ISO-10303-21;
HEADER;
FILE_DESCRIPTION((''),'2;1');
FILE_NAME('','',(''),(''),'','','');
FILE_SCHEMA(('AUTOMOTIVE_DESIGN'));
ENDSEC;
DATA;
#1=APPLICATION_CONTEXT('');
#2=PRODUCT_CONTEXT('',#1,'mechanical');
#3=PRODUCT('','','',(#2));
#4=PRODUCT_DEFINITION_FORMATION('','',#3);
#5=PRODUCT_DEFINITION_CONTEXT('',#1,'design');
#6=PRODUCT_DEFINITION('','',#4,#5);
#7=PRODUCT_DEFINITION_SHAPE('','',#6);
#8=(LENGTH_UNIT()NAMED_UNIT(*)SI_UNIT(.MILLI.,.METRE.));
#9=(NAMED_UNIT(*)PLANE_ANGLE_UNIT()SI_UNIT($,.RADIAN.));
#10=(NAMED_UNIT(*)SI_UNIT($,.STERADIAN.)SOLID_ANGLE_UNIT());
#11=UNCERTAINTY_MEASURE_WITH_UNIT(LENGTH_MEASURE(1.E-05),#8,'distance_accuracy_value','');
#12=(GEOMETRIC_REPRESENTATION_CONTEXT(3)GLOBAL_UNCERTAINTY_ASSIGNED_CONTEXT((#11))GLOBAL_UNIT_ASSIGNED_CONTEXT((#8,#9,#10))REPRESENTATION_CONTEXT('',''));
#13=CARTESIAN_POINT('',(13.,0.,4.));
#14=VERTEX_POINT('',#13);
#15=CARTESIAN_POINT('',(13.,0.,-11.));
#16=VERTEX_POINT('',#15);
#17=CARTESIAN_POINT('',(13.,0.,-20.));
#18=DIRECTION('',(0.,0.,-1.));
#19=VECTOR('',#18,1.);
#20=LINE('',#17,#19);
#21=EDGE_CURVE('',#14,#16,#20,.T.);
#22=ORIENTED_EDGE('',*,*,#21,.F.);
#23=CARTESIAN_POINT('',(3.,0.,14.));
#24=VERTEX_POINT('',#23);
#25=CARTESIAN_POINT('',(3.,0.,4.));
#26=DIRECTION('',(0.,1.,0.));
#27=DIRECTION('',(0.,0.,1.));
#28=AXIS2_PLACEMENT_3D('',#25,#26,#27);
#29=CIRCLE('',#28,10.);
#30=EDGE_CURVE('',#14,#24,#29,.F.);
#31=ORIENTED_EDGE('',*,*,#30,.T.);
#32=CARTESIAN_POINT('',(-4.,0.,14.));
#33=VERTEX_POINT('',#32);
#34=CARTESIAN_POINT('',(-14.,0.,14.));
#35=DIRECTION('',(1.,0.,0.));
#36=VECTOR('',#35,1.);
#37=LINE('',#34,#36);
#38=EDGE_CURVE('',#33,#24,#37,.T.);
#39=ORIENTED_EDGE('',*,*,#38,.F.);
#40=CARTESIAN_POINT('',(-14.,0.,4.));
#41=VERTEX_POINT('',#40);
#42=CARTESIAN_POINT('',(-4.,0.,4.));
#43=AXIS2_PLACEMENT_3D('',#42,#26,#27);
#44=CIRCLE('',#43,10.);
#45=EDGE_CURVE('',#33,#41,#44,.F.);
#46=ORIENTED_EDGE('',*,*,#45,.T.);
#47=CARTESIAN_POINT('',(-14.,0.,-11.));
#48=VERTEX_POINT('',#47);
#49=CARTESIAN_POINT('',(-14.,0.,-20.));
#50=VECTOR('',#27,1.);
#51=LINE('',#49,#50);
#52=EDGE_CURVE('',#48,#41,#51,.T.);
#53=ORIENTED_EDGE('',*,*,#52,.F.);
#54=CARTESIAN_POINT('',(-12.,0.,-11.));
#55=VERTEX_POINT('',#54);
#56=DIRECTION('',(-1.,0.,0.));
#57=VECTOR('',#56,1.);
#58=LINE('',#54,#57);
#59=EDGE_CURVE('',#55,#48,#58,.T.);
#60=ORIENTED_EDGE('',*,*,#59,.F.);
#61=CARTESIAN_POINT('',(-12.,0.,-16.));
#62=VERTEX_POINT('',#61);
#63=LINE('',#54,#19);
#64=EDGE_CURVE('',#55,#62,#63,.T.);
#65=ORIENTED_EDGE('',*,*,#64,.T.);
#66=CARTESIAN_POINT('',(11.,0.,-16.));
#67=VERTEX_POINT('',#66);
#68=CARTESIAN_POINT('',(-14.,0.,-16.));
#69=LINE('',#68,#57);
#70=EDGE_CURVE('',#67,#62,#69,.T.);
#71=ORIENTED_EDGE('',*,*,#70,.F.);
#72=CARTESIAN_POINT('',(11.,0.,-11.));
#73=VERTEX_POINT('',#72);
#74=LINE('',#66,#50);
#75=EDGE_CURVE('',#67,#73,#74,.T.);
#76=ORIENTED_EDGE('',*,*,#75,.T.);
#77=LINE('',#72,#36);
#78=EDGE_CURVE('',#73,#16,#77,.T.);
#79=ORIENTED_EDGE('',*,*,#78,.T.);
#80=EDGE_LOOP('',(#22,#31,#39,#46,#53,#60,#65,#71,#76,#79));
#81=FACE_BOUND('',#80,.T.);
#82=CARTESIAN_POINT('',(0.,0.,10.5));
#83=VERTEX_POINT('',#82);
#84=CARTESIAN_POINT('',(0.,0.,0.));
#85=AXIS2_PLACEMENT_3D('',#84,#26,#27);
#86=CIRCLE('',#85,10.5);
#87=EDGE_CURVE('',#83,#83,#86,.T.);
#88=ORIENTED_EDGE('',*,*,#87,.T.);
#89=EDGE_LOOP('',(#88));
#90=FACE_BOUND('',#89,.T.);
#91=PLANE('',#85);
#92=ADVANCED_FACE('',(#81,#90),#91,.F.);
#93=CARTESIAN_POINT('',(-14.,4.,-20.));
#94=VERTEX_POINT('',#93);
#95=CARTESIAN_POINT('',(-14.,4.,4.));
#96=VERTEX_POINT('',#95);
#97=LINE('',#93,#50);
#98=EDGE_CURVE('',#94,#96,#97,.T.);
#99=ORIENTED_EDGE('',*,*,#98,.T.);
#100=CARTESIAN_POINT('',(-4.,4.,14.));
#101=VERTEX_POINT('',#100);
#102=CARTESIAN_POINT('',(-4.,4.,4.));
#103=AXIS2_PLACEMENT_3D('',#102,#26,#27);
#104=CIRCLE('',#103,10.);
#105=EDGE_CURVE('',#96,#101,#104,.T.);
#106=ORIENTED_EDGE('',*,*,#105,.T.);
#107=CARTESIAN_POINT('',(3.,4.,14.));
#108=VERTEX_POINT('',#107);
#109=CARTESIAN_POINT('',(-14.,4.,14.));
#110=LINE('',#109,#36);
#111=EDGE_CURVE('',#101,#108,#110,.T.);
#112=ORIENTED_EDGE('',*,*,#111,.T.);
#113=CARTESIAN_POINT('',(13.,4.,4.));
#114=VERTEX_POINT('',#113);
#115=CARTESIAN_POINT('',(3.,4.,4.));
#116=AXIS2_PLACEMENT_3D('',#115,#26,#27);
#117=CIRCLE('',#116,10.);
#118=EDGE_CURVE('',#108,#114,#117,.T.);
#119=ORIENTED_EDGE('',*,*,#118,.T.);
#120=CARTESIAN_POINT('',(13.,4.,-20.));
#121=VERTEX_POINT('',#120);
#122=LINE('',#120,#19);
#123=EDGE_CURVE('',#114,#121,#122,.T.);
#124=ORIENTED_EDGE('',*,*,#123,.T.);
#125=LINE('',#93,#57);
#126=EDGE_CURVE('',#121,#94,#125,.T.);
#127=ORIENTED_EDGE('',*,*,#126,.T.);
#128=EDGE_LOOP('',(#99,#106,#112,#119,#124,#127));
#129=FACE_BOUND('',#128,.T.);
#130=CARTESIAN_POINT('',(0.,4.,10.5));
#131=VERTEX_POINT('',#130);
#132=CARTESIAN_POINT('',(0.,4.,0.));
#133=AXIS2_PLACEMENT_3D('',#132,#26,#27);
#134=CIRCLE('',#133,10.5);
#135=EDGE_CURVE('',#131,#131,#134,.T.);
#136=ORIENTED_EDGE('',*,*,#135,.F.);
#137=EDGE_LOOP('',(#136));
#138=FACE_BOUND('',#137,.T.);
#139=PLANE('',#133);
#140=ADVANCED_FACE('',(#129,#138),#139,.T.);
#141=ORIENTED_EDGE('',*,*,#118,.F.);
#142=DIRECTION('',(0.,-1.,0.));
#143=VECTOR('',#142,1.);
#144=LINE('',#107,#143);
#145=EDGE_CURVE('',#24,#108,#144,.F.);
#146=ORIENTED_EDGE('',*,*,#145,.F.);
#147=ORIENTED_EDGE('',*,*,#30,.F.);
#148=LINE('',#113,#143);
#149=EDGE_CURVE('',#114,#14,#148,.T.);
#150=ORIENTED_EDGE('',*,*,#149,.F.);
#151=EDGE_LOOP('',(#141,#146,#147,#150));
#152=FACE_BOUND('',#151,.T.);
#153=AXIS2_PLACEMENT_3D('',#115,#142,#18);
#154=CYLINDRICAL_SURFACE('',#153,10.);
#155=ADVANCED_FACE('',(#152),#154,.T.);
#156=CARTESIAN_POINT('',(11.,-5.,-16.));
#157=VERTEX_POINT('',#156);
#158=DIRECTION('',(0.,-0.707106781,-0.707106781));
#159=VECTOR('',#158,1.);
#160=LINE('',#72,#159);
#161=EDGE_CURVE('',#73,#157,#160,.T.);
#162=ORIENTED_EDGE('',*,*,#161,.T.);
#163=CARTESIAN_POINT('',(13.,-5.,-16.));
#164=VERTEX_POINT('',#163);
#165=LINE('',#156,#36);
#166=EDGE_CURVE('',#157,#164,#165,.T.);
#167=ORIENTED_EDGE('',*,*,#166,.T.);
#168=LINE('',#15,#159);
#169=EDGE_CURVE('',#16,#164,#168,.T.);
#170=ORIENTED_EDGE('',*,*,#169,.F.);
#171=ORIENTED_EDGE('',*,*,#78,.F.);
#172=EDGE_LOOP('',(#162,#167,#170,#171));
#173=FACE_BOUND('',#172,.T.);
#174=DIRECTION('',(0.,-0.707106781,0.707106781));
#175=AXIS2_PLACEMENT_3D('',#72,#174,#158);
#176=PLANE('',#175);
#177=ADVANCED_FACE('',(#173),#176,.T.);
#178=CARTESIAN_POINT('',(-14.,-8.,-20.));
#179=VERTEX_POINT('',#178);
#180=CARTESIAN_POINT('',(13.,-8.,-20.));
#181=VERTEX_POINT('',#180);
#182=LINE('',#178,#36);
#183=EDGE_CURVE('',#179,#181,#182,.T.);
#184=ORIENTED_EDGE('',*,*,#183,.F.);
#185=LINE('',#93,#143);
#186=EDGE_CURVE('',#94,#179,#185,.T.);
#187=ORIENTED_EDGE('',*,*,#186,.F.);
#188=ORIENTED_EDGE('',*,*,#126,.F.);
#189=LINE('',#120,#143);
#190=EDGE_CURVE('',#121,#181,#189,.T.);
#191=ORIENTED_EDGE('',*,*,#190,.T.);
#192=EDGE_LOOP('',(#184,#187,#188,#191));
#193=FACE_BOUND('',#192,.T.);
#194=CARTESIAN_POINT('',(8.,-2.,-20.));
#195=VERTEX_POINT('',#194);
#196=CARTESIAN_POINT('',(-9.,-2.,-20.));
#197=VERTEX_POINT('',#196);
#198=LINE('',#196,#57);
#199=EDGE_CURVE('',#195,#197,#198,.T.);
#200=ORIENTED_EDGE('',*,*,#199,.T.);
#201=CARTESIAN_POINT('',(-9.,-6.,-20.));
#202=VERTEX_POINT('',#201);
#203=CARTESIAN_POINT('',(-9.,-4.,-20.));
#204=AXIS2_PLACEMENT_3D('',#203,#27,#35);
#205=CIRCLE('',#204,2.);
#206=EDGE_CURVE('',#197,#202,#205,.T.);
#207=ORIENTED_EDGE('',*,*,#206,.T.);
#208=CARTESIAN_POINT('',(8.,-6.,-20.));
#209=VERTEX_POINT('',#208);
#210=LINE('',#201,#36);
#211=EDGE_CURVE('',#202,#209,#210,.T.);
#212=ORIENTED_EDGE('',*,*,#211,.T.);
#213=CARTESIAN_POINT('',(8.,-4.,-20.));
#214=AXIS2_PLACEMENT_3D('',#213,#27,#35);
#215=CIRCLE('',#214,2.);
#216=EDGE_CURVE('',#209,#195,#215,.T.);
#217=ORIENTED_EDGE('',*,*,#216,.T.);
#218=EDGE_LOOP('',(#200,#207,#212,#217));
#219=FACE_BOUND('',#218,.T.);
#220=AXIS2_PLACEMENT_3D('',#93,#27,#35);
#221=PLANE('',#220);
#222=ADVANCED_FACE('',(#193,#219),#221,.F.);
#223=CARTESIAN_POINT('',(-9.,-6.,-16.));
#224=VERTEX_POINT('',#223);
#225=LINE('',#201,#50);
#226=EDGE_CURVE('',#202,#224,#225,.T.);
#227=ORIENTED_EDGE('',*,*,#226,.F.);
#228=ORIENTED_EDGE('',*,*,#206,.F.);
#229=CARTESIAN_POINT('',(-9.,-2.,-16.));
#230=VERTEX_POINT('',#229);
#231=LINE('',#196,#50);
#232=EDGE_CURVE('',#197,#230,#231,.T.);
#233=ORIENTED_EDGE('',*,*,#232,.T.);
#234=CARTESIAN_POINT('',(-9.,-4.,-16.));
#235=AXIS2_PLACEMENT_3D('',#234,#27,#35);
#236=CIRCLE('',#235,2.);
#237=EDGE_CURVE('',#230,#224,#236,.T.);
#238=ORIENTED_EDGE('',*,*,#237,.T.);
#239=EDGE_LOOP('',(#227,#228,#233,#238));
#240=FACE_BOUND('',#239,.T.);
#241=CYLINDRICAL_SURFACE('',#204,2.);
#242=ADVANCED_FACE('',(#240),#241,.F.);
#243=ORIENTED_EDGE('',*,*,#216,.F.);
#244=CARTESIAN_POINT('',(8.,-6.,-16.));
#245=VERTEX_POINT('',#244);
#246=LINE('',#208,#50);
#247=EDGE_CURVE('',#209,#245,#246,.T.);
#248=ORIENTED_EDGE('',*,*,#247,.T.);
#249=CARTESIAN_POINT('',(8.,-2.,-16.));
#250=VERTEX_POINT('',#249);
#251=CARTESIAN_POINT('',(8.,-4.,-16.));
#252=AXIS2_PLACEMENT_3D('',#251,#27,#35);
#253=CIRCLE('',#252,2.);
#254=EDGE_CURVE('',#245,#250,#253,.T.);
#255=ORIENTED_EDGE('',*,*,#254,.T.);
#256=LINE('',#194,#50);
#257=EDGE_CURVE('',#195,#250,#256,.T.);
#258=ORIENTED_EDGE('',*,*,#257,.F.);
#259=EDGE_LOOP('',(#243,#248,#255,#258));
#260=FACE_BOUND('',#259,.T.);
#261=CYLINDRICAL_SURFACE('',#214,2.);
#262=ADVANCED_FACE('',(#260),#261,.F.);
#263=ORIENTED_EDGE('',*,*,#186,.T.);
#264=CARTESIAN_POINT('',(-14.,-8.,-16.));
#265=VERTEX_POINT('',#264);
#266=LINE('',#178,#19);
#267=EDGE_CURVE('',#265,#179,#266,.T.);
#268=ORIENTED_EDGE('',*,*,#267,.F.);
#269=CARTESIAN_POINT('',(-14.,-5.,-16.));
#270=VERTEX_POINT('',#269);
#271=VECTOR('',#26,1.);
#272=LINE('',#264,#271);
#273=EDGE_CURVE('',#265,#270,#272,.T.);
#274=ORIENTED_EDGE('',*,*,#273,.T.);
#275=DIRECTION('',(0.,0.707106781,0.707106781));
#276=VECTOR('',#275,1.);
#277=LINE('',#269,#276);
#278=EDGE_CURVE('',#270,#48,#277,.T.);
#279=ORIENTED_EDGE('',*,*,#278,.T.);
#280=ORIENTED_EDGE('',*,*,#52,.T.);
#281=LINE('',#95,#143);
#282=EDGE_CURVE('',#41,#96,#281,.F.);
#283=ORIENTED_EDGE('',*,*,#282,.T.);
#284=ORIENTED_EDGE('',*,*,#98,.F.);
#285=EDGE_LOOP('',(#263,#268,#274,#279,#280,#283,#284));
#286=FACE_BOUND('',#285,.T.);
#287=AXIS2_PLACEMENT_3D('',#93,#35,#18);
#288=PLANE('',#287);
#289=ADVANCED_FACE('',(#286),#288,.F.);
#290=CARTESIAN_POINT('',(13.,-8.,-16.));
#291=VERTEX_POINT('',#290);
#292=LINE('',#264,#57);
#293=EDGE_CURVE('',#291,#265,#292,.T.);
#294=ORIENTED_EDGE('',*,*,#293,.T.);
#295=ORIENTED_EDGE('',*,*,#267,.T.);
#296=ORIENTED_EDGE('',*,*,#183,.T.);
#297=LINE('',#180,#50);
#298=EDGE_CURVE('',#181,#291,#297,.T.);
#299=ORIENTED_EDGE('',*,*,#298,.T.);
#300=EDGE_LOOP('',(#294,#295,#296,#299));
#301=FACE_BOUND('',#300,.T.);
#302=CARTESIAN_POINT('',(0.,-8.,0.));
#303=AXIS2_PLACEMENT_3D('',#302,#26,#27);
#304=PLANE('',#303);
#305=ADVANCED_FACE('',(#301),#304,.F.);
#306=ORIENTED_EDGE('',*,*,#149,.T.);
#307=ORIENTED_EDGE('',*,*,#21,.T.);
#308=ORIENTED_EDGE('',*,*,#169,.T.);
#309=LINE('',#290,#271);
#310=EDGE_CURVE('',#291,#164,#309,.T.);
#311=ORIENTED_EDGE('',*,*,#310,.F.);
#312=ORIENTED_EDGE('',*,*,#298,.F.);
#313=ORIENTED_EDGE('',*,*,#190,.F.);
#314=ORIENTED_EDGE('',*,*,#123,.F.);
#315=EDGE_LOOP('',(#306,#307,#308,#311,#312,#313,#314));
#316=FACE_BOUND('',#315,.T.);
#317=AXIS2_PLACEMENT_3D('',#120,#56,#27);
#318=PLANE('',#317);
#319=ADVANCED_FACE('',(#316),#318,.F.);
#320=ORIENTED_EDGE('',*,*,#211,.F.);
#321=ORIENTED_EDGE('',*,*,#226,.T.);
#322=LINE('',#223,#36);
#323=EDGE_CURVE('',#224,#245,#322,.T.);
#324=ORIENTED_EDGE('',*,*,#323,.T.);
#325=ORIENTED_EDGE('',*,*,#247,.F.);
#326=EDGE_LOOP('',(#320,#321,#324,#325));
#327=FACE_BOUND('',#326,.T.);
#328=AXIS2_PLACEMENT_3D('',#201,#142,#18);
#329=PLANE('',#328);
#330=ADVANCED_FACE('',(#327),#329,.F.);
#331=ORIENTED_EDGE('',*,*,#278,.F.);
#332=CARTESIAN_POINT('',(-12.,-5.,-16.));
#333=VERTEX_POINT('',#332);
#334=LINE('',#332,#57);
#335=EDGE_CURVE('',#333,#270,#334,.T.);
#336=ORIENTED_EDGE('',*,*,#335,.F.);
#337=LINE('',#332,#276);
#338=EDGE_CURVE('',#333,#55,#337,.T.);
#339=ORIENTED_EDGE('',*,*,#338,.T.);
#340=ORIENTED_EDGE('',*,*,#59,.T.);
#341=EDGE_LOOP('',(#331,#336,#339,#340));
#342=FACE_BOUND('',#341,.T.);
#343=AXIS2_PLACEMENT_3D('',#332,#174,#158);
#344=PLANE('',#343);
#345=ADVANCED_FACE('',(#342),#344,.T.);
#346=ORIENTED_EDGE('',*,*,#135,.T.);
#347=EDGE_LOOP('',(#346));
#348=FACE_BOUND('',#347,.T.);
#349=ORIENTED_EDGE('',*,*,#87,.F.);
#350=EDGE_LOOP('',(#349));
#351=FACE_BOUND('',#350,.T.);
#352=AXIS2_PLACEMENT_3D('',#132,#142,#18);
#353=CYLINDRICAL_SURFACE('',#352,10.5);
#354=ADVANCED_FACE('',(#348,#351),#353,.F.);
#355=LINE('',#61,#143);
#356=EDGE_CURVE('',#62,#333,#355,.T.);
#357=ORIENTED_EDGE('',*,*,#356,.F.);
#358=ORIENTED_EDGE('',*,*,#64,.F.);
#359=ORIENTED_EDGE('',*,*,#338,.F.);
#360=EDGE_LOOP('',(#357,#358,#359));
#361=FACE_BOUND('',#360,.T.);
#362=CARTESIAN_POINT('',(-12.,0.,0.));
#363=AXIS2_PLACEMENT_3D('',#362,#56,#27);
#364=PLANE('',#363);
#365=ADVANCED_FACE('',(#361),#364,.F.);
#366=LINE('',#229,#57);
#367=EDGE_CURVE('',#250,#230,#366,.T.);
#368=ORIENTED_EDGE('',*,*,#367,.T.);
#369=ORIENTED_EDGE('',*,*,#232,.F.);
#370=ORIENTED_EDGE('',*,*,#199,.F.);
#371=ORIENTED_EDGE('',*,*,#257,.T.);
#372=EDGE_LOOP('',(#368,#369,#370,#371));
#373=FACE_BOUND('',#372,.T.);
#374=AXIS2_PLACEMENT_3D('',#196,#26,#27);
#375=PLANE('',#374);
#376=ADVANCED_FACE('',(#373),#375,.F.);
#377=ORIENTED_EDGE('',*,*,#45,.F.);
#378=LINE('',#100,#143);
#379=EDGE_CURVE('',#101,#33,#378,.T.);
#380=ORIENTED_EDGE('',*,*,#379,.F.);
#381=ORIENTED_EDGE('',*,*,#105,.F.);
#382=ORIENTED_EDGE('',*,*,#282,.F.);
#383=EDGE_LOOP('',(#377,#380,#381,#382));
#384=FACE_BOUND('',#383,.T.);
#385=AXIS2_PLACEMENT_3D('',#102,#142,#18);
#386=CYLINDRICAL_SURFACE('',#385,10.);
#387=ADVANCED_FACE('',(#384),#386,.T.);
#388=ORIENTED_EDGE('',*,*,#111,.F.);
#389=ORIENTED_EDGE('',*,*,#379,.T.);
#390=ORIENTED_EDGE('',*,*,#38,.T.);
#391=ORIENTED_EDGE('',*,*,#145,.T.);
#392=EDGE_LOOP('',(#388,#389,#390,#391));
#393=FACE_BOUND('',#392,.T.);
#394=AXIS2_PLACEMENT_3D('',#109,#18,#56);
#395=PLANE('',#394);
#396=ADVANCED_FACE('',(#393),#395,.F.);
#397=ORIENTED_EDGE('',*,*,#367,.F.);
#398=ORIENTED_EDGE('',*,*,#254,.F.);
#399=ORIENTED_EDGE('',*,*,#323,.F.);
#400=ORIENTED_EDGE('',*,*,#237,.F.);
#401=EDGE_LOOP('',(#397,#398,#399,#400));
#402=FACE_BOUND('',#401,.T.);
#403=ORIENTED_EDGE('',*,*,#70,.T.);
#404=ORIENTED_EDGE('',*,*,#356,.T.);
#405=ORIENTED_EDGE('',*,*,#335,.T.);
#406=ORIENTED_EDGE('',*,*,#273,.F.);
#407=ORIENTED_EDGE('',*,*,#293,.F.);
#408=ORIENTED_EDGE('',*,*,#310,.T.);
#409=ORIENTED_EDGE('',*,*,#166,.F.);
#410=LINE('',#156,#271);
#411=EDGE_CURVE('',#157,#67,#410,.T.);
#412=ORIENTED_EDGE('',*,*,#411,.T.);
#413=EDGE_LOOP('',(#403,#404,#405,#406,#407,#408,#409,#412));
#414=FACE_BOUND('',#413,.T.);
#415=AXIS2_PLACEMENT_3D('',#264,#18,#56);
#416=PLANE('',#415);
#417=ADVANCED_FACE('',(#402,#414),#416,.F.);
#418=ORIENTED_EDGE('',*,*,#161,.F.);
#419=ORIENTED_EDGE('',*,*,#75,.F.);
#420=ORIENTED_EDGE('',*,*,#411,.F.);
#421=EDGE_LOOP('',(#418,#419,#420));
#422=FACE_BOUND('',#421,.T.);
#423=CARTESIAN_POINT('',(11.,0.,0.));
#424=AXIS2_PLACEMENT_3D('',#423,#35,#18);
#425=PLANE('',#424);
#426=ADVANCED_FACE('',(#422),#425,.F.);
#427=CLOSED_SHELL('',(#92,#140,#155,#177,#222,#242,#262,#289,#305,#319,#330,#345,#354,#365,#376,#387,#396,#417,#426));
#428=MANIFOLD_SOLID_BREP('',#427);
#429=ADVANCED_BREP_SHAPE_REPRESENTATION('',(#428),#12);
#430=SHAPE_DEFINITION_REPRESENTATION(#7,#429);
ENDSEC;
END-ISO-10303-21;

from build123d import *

# Parameters (mm, degrees)
ESQUISSE1_W             = 27
ESQUISSE1_H             = 34
ESQUISSE1_R             = 10.5
BOSS_EXTRU_1_DEPTH      = 4
ESQUISSE2_W             = 27
ESQUISSE2_H             = 4
BOSS_EXTRU_2_DEPTH      = 8
BOSS_EXTRU_3_DEPTH      = 2
BOSS_EXTRU_4_DEPTH      = 2
CONG_1_R                = 10
ENL_V_MAT_EXTRU_1_DEPTH = 35.058772732


with BuildPart() as part:
    # Esquisse1 → Boss.-Extru.1 (new body)
    with BuildSketch(Plane(origin=(0, 0, 0), x_dir=(1, 0, 0), z_dir=(0, 1, 0))):
        with Locations((-0.5, 3)):
            Rectangle(ESQUISSE1_W, ESQUISSE1_H)
        with Locations(Location((0, 0, 0), (0, 0, 270))):
            Circle(ESQUISSE1_R, mode=Mode.SUBTRACT)
    extrude(amount=BOSS_EXTRU_1_DEPTH)

    # Esquisse2 → Boss.-Extru.2 (add)
    with BuildSketch(Plane.XZ):
        with Locations((-0.5, -18)):
            Rectangle(ESQUISSE2_W, ESQUISSE2_H)
    extrude(amount=BOSS_EXTRU_2_DEPTH)

    # Esquisse5 → Boss.-Extru.3 (add)
    with BuildSketch(Plane.ZY.offset(14)):
        Polygon((-16, 0), (-16, -5), (-11, 0), align=None)
    extrude(amount=-BOSS_EXTRU_3_DEPTH)

    # Esquisse6 → Boss.-Extru.4 (add)
    with BuildSketch(Plane(origin=(13, 0, 0), x_dir=(0, 0, -1), z_dir=(1, 0, 0))):
        Polygon((16, 0), (11, 0), (16, -5), align=None)
    extrude(amount=-BOSS_EXTRU_4_DEPTH)

    # Congé1
    cong_1_edges = [part.edges().sort_by_distance(p)[0] for p in [
        (-14, 2, 14),
        (13, 2, 14),
    ]]
    fillet(cong_1_edges, radius=CONG_1_R)

    # Esquisse7 → Enlèv. mat.-Extru.1 (cut, through all)
    with BuildSketch(Plane.XY.offset(-16)):
        with BuildLine():
            Line((-9, -2), (8, -2))
            ThreePointArc((8, -2), (10, -4), (8, -6))
            Line((8, -6), (-9, -6))
            ThreePointArc((-9, -6), (-11, -4), (-9, -2))
        make_face()
    extrude(amount=-ENL_V_MAT_EXTRU_1_DEPTH, mode=Mode.SUBTRACT)


solid = part.part
